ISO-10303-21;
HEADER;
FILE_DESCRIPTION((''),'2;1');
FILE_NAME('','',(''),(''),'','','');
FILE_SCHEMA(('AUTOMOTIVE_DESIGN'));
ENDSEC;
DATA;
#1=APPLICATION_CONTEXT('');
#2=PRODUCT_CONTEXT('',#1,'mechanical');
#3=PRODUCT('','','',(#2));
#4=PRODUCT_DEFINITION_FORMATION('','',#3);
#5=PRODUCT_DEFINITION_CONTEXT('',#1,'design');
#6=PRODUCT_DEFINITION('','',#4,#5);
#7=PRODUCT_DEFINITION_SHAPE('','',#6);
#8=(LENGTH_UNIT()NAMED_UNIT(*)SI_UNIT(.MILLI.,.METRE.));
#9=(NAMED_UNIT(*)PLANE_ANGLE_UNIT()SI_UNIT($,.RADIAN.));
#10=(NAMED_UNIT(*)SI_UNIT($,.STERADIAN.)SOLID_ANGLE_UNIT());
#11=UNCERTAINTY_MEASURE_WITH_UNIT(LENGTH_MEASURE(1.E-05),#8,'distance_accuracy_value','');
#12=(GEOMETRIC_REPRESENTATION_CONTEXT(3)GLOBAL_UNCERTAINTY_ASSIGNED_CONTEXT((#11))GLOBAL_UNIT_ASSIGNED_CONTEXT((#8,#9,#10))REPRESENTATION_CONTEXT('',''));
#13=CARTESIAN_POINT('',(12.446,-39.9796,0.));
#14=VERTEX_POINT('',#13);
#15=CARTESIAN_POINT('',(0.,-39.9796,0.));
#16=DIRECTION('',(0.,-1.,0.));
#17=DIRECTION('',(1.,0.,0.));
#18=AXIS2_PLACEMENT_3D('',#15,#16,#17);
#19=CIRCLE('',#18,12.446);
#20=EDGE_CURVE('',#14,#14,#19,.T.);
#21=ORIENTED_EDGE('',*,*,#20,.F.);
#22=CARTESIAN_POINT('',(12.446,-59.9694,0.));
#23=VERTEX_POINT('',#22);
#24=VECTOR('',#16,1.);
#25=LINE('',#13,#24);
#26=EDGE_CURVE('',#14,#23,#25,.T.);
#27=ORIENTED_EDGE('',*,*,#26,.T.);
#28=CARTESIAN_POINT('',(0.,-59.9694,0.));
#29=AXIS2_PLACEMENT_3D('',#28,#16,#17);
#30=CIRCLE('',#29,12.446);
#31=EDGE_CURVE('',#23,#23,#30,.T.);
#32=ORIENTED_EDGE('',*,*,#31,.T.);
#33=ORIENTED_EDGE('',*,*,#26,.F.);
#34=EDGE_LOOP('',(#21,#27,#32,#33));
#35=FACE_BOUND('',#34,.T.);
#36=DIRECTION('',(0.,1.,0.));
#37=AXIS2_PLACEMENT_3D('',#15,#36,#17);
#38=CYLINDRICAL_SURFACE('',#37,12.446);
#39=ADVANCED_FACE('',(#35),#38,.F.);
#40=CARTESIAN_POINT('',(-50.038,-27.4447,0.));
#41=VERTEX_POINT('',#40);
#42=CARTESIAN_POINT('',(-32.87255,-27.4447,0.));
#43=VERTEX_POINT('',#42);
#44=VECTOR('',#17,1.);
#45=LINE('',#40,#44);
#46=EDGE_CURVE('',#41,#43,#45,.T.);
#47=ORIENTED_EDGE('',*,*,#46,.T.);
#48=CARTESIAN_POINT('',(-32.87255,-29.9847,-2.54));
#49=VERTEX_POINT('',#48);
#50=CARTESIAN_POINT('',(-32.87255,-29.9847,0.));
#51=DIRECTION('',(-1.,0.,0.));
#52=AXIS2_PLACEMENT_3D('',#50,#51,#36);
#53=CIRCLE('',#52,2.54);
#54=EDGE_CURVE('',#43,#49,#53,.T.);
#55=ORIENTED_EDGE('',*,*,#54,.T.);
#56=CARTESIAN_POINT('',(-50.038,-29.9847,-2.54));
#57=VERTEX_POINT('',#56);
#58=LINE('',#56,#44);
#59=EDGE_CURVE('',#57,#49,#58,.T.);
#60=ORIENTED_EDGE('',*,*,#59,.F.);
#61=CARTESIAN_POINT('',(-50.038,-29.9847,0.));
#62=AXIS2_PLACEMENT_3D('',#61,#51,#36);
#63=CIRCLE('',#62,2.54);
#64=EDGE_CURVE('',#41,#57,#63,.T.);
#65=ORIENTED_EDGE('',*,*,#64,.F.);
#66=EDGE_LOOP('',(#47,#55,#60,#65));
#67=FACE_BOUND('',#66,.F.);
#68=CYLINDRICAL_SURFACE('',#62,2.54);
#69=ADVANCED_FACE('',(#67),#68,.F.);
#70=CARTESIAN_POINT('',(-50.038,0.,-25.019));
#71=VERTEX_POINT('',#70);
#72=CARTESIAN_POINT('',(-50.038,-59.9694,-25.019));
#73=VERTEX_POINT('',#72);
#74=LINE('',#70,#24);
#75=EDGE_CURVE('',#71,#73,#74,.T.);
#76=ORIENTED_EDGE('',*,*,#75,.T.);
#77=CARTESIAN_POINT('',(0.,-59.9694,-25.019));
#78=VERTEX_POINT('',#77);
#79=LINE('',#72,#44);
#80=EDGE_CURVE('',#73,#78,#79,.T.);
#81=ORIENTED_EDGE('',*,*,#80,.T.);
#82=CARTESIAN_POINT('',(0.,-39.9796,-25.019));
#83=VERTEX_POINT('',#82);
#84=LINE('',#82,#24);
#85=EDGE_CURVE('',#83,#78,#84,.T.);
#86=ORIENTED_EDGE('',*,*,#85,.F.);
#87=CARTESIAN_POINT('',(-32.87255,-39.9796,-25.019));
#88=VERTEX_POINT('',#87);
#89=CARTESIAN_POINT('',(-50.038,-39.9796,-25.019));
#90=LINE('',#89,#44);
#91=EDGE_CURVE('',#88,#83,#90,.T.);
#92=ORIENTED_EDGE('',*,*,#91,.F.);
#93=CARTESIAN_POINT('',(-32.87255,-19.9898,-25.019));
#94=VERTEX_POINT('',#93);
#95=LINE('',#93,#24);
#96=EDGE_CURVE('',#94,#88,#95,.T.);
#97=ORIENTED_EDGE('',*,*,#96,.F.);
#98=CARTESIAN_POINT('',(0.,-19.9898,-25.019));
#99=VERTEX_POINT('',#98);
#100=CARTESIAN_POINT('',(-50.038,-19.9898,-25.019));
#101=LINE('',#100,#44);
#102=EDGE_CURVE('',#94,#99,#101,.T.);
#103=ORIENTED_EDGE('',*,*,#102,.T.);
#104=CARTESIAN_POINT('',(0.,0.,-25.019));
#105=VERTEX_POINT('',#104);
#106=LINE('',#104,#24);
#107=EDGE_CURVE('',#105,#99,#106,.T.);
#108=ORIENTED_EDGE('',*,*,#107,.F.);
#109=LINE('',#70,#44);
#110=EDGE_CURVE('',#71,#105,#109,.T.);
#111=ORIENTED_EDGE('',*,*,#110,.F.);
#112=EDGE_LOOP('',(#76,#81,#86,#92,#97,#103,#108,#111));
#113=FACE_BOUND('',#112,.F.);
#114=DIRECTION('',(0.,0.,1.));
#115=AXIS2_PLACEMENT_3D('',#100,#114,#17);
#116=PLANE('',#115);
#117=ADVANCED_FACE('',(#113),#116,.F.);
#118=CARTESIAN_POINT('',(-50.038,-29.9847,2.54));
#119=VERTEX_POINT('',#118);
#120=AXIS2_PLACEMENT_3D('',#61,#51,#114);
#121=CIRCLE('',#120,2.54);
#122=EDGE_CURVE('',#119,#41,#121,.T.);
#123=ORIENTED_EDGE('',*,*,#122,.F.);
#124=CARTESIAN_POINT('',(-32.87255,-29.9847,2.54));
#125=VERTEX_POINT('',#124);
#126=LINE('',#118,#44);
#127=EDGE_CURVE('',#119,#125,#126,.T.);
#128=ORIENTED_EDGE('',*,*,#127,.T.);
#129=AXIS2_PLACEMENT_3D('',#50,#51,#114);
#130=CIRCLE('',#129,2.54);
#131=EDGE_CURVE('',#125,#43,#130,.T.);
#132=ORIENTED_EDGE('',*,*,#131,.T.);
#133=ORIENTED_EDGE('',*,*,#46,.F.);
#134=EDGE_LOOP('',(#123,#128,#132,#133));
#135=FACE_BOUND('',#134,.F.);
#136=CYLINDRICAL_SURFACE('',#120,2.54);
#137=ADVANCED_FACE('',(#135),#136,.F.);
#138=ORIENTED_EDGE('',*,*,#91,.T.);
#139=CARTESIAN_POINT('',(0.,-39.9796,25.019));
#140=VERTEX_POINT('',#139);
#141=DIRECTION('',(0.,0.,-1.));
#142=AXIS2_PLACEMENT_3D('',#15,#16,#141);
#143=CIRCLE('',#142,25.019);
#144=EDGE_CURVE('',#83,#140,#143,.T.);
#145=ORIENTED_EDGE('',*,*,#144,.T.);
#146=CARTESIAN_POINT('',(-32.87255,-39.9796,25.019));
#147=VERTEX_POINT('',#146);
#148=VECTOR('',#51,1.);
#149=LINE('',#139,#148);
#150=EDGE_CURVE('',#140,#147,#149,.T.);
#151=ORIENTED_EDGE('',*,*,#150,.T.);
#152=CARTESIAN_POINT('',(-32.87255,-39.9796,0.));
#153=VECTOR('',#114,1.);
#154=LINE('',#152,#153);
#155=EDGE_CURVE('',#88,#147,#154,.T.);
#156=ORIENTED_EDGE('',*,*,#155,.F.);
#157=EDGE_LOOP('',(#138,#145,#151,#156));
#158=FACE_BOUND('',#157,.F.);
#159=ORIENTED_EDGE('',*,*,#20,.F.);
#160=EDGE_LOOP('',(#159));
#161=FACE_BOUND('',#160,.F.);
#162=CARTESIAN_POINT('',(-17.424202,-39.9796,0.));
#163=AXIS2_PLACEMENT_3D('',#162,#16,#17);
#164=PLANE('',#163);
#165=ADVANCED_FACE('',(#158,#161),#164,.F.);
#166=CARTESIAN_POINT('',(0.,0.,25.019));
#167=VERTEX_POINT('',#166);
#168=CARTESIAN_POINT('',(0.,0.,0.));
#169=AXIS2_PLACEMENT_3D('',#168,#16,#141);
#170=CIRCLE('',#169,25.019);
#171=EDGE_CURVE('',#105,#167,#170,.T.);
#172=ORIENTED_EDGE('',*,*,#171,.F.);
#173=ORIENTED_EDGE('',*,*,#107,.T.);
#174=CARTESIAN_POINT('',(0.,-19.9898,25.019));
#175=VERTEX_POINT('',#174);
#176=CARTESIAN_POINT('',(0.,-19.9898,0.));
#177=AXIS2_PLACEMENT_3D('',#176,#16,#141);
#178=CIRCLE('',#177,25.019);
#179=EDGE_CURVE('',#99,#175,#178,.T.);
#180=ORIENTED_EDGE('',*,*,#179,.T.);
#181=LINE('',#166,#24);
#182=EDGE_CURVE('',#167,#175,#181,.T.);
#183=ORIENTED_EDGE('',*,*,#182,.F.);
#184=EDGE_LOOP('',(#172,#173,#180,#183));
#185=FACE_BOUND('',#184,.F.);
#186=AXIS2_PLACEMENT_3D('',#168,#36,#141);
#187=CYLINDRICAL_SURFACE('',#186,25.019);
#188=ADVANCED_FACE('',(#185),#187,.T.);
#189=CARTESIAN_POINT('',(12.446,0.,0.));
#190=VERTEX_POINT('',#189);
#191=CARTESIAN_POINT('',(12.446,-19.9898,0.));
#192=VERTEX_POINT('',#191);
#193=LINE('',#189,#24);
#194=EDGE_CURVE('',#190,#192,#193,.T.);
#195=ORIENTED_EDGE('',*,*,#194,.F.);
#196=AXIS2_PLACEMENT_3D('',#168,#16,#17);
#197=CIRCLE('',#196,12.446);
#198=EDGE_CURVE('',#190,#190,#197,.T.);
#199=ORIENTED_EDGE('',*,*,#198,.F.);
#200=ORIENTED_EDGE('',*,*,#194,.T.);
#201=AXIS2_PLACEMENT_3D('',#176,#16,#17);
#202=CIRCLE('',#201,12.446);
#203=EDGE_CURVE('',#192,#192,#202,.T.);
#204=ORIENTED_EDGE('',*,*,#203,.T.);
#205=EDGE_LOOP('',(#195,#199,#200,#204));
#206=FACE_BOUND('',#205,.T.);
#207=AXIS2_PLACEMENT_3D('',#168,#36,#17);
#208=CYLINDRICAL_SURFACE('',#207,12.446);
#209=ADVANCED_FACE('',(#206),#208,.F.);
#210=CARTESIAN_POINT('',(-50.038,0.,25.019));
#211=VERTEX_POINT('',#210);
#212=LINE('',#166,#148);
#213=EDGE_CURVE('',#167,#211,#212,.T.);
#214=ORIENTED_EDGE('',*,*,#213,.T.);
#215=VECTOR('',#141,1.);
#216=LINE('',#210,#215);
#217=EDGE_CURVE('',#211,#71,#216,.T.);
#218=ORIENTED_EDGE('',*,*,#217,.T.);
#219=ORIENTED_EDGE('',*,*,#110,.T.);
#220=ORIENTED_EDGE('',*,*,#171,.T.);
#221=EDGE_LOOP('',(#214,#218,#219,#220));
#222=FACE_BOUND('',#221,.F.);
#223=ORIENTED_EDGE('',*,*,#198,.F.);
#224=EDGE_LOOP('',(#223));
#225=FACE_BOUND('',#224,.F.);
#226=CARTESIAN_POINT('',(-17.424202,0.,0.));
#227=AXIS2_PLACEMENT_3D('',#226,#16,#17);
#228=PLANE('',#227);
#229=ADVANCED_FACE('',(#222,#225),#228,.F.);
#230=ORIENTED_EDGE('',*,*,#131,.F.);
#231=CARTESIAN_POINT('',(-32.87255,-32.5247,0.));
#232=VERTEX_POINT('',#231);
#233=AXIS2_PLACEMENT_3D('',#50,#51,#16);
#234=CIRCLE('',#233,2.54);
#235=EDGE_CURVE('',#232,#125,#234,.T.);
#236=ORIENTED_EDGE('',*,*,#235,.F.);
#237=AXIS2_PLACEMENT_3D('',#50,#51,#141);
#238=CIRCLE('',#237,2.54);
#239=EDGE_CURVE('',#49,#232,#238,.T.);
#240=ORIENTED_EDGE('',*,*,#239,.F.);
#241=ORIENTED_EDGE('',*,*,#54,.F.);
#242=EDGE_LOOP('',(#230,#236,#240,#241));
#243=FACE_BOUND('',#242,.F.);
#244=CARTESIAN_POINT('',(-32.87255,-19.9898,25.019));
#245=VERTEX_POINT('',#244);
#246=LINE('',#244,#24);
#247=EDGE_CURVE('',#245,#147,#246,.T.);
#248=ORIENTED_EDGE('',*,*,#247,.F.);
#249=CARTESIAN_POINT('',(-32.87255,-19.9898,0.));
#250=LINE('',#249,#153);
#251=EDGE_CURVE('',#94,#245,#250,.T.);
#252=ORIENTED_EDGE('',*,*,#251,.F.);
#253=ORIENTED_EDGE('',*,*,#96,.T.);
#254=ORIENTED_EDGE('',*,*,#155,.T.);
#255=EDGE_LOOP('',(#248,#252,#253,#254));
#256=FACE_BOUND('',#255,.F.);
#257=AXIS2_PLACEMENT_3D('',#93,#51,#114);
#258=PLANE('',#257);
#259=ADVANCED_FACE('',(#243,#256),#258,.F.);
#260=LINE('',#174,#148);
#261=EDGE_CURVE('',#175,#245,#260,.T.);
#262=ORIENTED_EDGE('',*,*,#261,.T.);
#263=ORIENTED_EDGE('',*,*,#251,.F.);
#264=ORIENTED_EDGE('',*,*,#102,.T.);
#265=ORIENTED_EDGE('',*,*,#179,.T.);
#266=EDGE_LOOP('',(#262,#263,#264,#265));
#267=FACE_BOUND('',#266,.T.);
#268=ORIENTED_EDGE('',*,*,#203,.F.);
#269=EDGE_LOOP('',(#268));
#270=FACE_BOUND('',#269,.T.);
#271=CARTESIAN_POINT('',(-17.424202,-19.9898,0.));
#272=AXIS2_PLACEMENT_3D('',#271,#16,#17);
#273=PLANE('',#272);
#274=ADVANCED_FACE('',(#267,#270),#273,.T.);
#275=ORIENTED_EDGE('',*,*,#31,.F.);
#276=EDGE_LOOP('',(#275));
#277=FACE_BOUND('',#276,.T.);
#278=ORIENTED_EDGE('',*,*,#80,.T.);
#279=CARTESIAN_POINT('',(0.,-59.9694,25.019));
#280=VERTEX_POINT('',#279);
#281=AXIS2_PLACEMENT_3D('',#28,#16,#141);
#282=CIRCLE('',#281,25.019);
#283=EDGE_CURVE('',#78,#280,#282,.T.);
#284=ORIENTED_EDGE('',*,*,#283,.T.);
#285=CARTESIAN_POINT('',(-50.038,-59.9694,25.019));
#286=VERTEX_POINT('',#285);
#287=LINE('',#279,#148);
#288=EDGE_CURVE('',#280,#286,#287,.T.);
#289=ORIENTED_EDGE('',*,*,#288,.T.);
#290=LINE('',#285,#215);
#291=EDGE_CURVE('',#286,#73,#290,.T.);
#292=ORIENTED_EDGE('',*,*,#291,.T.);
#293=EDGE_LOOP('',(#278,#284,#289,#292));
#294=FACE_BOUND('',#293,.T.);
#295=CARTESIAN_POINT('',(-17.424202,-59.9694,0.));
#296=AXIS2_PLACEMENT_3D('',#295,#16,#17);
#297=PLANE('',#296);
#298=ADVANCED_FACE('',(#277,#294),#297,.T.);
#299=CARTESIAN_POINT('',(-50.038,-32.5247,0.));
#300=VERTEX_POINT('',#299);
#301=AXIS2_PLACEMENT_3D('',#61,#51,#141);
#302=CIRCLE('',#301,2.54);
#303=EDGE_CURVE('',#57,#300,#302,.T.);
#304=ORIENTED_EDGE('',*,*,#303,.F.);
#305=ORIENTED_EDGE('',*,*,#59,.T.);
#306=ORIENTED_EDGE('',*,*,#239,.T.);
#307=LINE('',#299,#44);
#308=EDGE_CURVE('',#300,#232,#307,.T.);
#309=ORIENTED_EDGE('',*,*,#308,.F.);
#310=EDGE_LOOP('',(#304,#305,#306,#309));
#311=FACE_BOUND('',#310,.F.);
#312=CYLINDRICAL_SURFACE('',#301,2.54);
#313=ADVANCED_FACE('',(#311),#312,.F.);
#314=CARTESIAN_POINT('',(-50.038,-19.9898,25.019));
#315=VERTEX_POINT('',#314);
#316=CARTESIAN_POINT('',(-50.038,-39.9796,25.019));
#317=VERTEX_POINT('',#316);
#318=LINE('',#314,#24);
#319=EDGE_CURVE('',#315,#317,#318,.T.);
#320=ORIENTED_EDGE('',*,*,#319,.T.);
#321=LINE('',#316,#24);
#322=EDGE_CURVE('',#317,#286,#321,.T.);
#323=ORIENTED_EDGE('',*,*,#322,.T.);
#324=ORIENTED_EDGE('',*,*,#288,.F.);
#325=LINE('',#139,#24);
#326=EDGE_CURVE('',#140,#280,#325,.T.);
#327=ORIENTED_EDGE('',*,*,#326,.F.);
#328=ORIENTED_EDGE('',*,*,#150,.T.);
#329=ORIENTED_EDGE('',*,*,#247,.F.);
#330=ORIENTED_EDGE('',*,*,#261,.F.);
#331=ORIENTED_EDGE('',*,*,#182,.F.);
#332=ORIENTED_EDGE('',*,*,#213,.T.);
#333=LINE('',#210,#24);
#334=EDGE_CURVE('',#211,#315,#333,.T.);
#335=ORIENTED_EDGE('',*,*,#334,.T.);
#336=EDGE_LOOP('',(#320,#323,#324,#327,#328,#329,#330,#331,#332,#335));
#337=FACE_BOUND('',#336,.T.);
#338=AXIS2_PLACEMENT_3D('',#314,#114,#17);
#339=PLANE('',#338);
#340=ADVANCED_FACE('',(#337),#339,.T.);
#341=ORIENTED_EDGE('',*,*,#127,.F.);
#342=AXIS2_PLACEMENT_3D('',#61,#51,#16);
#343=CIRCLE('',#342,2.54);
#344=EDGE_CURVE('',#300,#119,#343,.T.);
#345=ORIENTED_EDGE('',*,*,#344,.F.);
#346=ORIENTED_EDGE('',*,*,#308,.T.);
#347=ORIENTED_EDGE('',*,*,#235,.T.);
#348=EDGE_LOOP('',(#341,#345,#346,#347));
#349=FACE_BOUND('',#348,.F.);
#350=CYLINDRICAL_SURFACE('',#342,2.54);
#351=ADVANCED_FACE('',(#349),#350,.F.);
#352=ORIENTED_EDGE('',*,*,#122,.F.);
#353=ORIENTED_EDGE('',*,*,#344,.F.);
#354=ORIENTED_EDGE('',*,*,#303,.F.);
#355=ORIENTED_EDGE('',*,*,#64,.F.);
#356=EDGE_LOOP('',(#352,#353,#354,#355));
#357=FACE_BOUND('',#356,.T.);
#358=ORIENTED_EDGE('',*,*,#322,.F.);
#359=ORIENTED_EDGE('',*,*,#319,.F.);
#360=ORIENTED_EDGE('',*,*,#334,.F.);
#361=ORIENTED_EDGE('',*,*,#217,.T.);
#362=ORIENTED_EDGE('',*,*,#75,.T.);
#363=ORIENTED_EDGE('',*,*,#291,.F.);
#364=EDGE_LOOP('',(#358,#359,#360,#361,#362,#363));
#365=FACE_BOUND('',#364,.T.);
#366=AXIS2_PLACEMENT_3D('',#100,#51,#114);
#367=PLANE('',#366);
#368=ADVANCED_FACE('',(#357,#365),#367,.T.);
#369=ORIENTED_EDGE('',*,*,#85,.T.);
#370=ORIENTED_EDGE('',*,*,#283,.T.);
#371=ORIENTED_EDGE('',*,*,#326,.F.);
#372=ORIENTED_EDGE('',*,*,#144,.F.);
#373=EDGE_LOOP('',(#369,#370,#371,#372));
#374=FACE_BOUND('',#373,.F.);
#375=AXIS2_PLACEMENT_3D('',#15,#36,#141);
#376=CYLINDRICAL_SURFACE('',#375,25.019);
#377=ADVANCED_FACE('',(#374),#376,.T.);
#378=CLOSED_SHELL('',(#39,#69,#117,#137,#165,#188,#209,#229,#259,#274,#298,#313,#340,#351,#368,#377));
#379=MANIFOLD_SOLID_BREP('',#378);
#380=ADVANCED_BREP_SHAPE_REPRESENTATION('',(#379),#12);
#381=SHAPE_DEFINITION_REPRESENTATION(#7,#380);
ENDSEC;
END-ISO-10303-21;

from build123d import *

# Parameters (mm, degrees)
F0_R     = 12.446
F1_DEPTH = 19.9898
F3_R     = 12.446
F4_DEPTH = 19.9898
F5_W     = 17.1654498105
F5_H     = 50.038
F6_DEPTH = 19.9898
F8_DEPTH = 75.058


with BuildPart() as f1:
    # F0 (on Front) → F1 (new body)
    with BuildSketch(Plane.XZ):
        with BuildLine():
            Line((-50.038, -25.019), (0, -25.019))
            ThreePointArc((0, -25.019), (25.019, 0), (0, 25.019))
            Line((0, 25.019), (-50.038, 25.019))
            Line((-50.038, 25.019), (-50.038, -25.019))
        make_face()
        Circle(F0_R, mode=Mode.SUBTRACT)
    extrude(amount=F1_DEPTH)



with BuildPart() as f4:
    # F3 (on offset) → F4 (new body)
    with BuildSketch(Plane.XZ.offset(39.9796)):
        with BuildLine():
            Line((-50.038, 25.019), (-50.038, -25.019))
            Line((-50.038, -25.019), (0, -25.019))
            ThreePointArc((0, -25.019), (25.019, 0), (0, 25.019))
            Line((0, 25.019), (-50.038, 25.019))
        make_face()
        Circle(F3_R, mode=Mode.SUBTRACT)
    extrude(amount=F4_DEPTH)


with BuildPart() as f1_1:
    add(f1.part)

    add(f4.part)  # F6 merges F4
    # F5 (on face) → F6 (join, through all)
    with BuildSketch(Plane.XZ.offset(19.9898)):
        with Locations((-41.4552750947, 0)):
            Rectangle(F5_W, F5_H)
    extrude(amount=F6_DEPTH)

    # F7 (on face) → F8 (cut, through all)
    with BuildSketch(Plane(origin=(-50.038, 0, 0), x_dir=(0, -1, 0), z_dir=(-1, 0, 0))):
        with BuildLine():
            ThreePointArc((29.9847, -2.54), (31.7807512242, -1.7960512242), (32.5247, 0))
            ThreePointArc((32.5247, 0), (31.7807512242, 1.7960512242), (29.9847, 2.54))
            ThreePointArc((29.9847, 2.54), (28.1886487758, 1.7960512242), (27.4447, 0))
            ThreePointArc((27.4447, 0), (28.1886487758, -1.7960512242), (29.9847, -2.54))
        make_face()
    extrude(amount=-F8_DEPTH, mode=Mode.SUBTRACT)


solid = f1_1.part
